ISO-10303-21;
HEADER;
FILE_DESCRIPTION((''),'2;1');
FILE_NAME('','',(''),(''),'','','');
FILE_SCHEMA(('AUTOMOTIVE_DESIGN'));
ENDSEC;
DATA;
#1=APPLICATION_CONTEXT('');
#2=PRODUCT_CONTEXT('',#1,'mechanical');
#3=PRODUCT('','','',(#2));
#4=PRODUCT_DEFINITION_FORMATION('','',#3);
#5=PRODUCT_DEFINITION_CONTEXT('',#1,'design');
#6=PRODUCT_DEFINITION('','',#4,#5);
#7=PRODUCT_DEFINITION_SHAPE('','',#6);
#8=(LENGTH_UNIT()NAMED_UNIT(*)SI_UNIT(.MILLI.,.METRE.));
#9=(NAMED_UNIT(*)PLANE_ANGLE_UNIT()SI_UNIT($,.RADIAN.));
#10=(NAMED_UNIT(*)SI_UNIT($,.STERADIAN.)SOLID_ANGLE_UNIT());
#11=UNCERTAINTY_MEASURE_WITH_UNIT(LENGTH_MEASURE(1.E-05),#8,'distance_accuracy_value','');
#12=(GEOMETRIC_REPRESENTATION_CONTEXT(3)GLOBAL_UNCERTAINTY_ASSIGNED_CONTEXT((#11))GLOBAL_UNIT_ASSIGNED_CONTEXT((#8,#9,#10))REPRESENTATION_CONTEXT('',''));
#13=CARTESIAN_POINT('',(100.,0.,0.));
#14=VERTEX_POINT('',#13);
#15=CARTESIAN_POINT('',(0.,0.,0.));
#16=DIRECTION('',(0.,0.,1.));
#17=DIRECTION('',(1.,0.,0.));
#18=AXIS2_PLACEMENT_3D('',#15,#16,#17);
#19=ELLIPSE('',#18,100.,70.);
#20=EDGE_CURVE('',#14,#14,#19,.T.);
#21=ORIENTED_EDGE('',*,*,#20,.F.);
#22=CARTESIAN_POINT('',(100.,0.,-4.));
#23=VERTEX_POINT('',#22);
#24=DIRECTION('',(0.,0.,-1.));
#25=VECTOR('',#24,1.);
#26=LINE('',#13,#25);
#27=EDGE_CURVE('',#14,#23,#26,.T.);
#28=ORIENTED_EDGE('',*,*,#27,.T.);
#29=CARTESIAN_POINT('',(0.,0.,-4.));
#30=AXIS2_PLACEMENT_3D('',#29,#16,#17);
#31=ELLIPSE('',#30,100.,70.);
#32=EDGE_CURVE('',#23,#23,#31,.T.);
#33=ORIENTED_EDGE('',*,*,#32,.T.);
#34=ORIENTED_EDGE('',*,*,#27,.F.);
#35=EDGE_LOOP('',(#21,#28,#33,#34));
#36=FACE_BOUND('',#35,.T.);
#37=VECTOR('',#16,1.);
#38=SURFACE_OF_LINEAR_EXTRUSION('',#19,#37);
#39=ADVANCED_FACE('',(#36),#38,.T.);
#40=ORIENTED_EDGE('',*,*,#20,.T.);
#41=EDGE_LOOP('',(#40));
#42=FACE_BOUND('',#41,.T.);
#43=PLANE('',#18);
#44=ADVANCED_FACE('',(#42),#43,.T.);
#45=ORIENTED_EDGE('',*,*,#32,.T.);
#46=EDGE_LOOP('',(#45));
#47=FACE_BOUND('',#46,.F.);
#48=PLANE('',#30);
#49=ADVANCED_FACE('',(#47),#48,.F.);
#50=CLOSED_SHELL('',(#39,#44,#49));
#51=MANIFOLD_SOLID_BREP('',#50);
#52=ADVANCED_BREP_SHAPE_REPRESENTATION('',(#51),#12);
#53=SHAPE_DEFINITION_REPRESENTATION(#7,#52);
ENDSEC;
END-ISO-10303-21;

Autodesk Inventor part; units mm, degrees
ref_plane "YZ Plane" through (0, 0, 0) normal (1, 0, 0) x (0, 1, 0)
ref_plane "XZ Plane" through (0, 0, 0) normal (0, 1, 0) x (-1, 0, 0)
ref_plane "XY Plane" through (0, 0, 0) normal (0, 0, 1) x (1, 0, 0)
ref_plane "РабПлоскость1" through (0, 0, 0) normal (0, 0, 1) x (1, 0, 0)
sketch "Эскиз1" plane through (0, 0, 0) normal (0, 0, 1) x (1, 0, 0)
  ellipse E0 centre (0, 0) end of major axis (-119.9976, 0.7623) minor radius 79.9991 construction
  ellipse E1 centre (0, 0) end of major axis (100, 0) minor radius 70
  point P0 (0, 0)
  point P1 (100, 0)
  dimension "d0" = 70
  dimension "d1" = 100
extrude "Выдавливание1" add sketch "Эскиз1" against normal blind 4
properties part number "Верхний эллипс"
